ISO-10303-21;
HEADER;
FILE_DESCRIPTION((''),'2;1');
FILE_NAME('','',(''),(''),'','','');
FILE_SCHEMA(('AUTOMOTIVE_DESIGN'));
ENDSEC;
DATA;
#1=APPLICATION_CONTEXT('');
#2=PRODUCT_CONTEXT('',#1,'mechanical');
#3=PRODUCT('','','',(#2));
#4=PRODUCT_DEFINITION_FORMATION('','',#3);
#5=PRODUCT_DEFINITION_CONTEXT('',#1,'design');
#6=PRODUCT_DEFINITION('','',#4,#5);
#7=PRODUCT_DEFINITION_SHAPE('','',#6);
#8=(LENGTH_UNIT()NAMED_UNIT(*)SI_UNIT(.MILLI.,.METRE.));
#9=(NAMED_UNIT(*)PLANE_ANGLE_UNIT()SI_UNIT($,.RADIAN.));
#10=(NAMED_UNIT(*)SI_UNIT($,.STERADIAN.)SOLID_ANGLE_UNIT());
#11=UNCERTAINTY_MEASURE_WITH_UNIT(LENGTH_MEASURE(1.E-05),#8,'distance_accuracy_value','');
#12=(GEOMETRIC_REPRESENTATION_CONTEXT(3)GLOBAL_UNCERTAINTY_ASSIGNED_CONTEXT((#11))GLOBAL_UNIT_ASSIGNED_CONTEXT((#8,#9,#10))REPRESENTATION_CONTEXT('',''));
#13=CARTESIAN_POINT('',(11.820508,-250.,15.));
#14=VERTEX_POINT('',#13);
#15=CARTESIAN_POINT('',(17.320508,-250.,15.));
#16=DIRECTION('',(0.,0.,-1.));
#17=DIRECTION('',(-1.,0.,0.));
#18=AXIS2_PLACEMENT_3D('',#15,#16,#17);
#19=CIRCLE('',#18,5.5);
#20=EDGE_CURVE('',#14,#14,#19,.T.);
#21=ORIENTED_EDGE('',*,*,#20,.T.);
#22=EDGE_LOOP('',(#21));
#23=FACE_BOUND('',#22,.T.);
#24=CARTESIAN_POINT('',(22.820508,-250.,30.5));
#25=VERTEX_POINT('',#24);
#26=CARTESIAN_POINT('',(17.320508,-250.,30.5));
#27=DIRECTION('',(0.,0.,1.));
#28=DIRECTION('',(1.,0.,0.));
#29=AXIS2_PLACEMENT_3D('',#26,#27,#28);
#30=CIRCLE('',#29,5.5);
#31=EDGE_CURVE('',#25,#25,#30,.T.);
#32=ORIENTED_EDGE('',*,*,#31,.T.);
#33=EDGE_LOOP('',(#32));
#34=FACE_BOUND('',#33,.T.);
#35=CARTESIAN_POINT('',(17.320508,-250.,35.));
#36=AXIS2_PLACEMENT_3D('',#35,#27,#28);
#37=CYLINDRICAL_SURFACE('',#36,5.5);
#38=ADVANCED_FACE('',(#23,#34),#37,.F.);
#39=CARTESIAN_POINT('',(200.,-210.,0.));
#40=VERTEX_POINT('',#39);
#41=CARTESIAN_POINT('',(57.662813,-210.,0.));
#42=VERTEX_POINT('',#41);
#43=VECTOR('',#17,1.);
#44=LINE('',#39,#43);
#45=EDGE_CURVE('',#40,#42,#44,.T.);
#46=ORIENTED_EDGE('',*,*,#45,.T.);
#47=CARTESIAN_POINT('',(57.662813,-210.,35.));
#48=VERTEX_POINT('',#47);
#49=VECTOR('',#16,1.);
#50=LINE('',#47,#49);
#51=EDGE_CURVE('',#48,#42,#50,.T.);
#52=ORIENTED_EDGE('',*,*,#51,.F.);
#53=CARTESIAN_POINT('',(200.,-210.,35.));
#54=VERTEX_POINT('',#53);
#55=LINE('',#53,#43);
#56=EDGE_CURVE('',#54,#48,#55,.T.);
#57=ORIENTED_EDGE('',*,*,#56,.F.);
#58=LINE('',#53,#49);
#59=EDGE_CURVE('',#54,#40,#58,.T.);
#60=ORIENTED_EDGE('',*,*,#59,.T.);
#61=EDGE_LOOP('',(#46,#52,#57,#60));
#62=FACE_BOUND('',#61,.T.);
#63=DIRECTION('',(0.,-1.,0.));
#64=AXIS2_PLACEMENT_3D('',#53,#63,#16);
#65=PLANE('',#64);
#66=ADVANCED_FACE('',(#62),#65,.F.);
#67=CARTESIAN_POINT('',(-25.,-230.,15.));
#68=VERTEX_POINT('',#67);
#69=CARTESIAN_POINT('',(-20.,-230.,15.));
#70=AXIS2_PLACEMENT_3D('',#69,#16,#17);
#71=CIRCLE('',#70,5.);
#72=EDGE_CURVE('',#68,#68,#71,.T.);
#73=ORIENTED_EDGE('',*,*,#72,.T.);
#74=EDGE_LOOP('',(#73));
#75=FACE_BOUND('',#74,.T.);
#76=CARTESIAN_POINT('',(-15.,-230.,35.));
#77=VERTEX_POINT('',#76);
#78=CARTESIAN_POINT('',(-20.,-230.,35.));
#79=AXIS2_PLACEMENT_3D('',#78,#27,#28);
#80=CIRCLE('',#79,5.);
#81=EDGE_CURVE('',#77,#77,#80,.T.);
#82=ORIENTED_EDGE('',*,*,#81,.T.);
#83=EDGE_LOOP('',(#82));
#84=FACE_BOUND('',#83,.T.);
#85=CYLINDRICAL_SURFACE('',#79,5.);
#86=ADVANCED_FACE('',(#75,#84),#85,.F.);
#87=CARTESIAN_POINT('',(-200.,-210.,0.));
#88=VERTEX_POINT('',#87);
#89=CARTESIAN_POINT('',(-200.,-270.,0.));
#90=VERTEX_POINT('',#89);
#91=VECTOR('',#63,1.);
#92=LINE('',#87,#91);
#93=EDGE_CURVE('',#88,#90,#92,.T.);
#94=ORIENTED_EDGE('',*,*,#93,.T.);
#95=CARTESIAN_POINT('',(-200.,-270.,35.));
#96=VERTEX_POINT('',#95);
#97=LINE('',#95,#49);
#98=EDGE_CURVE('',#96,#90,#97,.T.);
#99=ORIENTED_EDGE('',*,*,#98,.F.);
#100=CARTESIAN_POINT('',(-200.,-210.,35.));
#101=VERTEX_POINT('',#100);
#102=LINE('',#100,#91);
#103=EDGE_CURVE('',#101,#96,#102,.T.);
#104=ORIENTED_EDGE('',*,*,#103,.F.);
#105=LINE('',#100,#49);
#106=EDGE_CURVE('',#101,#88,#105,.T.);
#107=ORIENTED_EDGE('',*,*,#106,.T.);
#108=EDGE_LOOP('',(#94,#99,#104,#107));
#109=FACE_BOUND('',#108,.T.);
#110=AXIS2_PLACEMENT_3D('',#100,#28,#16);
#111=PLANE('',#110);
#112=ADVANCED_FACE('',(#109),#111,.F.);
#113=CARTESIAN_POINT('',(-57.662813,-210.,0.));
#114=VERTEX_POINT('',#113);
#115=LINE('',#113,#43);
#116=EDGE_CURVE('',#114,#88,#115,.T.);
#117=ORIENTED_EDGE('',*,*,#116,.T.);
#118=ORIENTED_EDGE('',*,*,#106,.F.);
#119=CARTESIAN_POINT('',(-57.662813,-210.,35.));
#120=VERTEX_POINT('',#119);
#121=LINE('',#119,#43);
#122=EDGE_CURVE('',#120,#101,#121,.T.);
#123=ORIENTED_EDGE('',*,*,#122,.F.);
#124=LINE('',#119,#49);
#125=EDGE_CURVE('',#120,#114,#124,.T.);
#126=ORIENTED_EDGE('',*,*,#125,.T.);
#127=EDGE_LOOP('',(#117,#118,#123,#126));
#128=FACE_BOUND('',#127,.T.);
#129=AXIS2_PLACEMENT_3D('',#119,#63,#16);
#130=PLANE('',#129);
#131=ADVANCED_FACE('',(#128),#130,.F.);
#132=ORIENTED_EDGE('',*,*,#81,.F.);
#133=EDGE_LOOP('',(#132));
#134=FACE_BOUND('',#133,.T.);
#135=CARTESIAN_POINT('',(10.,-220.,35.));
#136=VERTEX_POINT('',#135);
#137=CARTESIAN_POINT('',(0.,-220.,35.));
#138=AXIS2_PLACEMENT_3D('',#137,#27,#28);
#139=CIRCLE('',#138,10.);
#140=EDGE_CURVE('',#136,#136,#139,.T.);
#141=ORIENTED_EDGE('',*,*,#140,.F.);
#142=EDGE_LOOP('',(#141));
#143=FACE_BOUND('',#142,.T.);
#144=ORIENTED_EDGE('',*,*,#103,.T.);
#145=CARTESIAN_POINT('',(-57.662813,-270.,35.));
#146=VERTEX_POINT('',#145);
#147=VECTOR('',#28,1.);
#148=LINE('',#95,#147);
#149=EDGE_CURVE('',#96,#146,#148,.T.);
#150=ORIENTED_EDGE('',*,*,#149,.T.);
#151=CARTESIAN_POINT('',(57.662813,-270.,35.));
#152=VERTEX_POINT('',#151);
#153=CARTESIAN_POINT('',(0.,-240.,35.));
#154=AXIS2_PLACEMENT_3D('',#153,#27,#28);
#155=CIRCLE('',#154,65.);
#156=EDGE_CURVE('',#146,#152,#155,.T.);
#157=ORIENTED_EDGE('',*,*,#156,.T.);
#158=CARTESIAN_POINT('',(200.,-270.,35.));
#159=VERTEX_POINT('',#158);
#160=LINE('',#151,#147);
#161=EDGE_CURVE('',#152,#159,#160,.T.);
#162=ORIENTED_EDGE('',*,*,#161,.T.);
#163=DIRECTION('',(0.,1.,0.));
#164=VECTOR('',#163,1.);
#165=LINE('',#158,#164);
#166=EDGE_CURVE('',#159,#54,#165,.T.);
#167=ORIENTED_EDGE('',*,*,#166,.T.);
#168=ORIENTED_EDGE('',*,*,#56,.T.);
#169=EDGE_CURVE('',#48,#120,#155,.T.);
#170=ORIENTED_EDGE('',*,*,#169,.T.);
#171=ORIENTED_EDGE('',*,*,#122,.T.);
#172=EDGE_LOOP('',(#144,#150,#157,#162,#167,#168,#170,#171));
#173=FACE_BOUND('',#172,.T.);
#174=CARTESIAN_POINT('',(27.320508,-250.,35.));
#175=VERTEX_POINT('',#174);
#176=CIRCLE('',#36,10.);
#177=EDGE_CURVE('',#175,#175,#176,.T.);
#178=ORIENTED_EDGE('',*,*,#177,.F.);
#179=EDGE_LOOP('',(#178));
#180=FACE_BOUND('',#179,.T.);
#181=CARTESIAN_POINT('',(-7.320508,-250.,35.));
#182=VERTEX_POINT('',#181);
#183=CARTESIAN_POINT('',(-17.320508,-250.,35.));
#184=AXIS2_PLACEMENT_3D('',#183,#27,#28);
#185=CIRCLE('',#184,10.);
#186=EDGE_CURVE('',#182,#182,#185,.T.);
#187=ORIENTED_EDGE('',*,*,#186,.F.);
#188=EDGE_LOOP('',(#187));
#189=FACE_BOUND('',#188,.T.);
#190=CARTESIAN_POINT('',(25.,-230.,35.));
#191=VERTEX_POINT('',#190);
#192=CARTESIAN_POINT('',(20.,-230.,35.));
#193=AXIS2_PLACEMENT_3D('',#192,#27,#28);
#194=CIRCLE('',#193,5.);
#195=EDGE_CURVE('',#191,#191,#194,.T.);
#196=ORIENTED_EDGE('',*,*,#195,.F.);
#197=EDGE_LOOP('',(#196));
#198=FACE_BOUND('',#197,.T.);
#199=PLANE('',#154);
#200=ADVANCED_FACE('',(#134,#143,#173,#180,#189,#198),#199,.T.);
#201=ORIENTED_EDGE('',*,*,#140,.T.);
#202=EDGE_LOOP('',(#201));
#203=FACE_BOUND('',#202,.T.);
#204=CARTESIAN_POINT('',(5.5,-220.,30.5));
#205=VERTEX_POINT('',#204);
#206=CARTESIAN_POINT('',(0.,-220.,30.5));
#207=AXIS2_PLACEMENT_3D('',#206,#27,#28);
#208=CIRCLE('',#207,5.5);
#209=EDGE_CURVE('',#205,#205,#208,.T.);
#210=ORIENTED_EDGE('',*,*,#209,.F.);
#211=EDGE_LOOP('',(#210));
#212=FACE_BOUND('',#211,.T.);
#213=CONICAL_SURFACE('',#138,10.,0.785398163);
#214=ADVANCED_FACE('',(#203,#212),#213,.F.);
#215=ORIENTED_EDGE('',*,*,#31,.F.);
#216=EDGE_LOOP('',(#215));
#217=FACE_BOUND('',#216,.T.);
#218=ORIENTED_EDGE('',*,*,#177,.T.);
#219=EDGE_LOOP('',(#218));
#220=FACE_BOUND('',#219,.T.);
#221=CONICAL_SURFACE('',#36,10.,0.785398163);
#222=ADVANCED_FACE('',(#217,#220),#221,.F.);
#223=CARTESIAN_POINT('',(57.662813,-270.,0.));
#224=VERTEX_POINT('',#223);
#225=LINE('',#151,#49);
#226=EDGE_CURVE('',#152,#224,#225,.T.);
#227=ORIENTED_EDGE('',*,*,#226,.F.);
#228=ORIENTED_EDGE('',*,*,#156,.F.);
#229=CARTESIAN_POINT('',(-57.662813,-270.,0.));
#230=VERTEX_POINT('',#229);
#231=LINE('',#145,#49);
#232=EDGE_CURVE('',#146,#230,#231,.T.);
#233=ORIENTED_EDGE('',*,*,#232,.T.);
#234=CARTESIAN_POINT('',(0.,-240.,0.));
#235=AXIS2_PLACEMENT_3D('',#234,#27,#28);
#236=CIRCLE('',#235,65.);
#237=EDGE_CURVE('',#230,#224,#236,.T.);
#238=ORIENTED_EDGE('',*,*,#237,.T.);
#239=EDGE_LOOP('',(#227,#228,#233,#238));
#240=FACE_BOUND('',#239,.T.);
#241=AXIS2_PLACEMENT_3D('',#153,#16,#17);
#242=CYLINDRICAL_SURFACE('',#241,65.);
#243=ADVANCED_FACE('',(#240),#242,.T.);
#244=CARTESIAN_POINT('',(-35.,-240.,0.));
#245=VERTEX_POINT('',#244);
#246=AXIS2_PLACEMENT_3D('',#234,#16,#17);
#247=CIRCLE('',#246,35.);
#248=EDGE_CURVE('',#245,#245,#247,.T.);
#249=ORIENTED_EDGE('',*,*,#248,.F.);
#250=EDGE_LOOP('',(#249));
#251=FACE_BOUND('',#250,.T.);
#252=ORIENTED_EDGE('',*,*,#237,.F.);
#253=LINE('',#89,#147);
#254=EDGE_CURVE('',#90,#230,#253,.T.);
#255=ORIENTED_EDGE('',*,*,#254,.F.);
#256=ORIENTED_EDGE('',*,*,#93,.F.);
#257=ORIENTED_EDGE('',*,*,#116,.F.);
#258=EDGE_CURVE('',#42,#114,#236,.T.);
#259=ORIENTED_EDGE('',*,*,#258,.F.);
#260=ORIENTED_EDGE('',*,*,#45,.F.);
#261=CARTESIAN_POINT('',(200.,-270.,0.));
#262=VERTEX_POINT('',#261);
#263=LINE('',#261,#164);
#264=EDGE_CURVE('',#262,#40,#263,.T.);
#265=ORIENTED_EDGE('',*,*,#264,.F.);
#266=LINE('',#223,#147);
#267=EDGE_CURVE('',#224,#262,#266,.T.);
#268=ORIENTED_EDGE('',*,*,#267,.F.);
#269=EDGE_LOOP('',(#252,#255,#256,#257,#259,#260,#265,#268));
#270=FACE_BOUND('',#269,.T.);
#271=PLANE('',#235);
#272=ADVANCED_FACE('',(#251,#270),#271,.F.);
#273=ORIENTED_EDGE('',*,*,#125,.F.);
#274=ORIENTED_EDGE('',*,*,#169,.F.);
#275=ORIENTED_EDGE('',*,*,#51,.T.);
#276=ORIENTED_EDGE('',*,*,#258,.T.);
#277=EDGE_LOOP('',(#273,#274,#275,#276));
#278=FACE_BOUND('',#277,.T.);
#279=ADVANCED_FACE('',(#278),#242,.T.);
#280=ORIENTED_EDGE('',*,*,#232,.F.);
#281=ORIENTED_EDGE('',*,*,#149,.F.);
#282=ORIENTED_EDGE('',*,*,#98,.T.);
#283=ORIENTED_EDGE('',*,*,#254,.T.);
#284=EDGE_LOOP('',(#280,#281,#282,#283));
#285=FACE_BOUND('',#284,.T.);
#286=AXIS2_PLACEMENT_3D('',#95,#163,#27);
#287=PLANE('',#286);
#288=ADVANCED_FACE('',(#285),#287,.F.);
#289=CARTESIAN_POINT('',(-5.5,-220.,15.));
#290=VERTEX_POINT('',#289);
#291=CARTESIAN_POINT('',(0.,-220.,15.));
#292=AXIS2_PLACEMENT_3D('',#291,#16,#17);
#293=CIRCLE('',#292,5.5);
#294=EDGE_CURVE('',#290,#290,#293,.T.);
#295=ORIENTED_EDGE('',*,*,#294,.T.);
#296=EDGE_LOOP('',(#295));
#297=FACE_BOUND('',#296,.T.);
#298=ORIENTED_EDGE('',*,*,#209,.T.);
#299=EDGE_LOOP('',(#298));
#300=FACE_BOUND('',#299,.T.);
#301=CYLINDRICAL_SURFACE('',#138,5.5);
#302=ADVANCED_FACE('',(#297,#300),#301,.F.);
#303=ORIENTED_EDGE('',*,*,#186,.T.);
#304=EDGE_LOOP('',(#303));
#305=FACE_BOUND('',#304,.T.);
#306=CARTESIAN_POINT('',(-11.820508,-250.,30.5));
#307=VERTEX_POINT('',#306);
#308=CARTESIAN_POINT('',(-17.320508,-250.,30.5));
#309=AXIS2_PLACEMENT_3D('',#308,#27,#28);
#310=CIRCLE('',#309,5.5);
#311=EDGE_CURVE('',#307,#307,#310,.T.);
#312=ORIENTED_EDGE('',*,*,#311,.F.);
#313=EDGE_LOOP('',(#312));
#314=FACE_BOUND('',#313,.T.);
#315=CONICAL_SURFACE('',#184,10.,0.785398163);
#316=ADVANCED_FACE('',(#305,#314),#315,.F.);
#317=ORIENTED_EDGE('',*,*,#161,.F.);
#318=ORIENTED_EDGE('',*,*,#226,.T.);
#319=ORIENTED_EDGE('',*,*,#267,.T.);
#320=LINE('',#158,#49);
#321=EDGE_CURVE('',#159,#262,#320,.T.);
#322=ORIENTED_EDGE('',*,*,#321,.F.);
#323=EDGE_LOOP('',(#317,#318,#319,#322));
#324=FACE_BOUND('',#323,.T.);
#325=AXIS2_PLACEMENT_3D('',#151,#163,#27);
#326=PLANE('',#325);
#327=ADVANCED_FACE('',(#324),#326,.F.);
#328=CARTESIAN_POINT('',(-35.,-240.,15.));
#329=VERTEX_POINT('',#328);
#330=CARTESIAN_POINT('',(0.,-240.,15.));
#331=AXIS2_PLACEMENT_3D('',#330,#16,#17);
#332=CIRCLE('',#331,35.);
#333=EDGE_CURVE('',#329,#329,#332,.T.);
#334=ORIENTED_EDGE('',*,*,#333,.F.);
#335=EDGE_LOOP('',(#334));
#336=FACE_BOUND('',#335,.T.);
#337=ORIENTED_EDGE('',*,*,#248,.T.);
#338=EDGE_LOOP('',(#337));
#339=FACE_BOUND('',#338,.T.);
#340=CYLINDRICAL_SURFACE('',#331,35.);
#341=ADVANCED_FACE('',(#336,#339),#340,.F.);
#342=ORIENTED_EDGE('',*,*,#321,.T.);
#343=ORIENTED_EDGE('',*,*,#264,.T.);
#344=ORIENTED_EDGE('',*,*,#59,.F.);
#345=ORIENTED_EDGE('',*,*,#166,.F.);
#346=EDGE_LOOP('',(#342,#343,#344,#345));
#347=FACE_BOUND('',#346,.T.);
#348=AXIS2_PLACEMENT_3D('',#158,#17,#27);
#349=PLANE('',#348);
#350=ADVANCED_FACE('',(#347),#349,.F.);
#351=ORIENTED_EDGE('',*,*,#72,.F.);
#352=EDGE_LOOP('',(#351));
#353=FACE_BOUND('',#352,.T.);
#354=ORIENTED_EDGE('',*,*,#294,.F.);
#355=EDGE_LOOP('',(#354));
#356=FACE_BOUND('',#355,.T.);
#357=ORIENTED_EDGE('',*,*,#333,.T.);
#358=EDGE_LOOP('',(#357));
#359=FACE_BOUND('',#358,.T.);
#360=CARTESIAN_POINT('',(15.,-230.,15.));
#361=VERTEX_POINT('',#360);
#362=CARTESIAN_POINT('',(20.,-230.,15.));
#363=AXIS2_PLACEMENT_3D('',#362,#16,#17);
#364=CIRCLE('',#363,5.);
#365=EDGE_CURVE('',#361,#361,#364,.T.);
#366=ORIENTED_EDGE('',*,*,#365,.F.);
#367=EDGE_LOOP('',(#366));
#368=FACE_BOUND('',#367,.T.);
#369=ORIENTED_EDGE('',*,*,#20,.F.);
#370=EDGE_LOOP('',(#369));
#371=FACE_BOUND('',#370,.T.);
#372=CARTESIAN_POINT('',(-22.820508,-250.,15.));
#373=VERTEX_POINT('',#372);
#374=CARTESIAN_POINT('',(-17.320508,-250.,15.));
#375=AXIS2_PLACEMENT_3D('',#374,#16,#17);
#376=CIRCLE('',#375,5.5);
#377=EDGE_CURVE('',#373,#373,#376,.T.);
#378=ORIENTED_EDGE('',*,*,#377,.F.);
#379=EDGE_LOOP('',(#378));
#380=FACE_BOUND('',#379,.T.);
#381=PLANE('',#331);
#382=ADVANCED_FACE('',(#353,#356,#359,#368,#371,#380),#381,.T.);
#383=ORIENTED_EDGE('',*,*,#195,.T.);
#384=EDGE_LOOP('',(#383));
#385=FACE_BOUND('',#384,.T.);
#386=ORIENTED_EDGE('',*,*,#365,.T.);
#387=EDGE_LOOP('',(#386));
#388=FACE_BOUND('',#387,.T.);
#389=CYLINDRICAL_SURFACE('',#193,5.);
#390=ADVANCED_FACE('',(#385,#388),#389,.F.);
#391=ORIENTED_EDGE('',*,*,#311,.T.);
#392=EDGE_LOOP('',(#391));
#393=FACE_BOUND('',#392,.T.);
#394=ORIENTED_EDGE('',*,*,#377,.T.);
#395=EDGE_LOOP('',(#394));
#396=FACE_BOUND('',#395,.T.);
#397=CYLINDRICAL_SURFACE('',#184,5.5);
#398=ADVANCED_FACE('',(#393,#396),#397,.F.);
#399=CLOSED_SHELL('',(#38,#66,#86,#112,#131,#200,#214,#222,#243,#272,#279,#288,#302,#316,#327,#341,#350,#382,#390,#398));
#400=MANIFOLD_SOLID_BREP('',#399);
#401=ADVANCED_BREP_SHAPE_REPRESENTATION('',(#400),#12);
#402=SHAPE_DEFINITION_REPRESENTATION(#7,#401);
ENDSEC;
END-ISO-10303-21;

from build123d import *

# Parameters (mm, degrees)
RESSALTO_EXTRUS_O1_DEPTH                             = 35
ESBO_O3_R                                            = 35
CORTE_EXTRUS_O2_DEPTH                                = 15
ESCAREADO_PARA_PARAFUSO_COM_CABE_A_ESCAR_D           = 11
ESCAREADO_PARA_PARAFUSO_COM_CABE_A_ESCAR_CSINK_D     = 20
ESCAREADO_PARA_PARAFUSO_COM_CABE_A_ESCAR_CSINK_ANGLE = 90
FUROS_GUIA_COM_10_0MM1_D                             = 10
ESBO_O2_R                                            = 35
CORTE_EXTRUS_O1_DEPTH                                = 15


with BuildPart() as part:
    # Esboço1 → Ressalto-extrusão1 (new body)
    with BuildSketch(Plane.XY):
        with BuildLine():
            Line((-200, -270), (-57.662812973, -270))
            ThreePointArc((-57.662812973, -270), (0, -305), (57.662812973, -270))
            Line((57.662812973, -270), (200, -270))
            Line((200, -270), (200, -210))
            Line((200, -210), (57.662812973, -210))
            ThreePointArc((57.662812973, -210), (0, -175), (-57.662812973, -210))
            Line((-57.662812973, -210), (-200, -210))
            Line((-200, -210), (-200, -270))
        make_face()
    extrude(amount=RESSALTO_EXTRUS_O1_DEPTH)

    # Esboço3 → Corte-extrusão2 (cut)
    with BuildSketch(Plane(origin=(0, 0, 0), x_dir=(-1, 0, 0), z_dir=(0, 0, -1))):
        with Locations((0, -240)):
            Circle(ESBO_O3_R)
    extrude(amount=-CORTE_EXTRUS_O2_DEPTH, mode=Mode.SUBTRACT)

    # Escareado para parafuso com cabeça escareada elevada de M101 (through all)
    with Locations(Plane.XY.offset(35)):
        with Locations((0, -220), (-17.320508076, -250), (17.320508076, -250)):
            CounterSinkHole(ESCAREADO_PARA_PARAFUSO_COM_CABE_A_ESCAR_D / 2, ESCAREADO_PARA_PARAFUSO_COM_CABE_A_ESCAR_CSINK_D / 2, counter_sink_angle=ESCAREADO_PARA_PARAFUSO_COM_CABE_A_ESCAR_CSINK_ANGLE)

    # Furos-guia com Ø10.0mm1 (through all)
    with Locations(Plane.XY.offset(35)):
        with Locations((-20, -230), (20, -230)):
            Hole(FUROS_GUIA_COM_10_0MM1_D / 2)

    # Esboço2 → Corte-extrusão1 (cut)
    with BuildSketch(Plane(origin=(0, 0, 0), x_dir=(-1, 0, 0), z_dir=(0, 0, -1))):
        with Locations((0, -240)):
            Circle(ESBO_O2_R)
    extrude(amount=-CORTE_EXTRUS_O1_DEPTH, mode=Mode.SUBTRACT)


solid = part.part
